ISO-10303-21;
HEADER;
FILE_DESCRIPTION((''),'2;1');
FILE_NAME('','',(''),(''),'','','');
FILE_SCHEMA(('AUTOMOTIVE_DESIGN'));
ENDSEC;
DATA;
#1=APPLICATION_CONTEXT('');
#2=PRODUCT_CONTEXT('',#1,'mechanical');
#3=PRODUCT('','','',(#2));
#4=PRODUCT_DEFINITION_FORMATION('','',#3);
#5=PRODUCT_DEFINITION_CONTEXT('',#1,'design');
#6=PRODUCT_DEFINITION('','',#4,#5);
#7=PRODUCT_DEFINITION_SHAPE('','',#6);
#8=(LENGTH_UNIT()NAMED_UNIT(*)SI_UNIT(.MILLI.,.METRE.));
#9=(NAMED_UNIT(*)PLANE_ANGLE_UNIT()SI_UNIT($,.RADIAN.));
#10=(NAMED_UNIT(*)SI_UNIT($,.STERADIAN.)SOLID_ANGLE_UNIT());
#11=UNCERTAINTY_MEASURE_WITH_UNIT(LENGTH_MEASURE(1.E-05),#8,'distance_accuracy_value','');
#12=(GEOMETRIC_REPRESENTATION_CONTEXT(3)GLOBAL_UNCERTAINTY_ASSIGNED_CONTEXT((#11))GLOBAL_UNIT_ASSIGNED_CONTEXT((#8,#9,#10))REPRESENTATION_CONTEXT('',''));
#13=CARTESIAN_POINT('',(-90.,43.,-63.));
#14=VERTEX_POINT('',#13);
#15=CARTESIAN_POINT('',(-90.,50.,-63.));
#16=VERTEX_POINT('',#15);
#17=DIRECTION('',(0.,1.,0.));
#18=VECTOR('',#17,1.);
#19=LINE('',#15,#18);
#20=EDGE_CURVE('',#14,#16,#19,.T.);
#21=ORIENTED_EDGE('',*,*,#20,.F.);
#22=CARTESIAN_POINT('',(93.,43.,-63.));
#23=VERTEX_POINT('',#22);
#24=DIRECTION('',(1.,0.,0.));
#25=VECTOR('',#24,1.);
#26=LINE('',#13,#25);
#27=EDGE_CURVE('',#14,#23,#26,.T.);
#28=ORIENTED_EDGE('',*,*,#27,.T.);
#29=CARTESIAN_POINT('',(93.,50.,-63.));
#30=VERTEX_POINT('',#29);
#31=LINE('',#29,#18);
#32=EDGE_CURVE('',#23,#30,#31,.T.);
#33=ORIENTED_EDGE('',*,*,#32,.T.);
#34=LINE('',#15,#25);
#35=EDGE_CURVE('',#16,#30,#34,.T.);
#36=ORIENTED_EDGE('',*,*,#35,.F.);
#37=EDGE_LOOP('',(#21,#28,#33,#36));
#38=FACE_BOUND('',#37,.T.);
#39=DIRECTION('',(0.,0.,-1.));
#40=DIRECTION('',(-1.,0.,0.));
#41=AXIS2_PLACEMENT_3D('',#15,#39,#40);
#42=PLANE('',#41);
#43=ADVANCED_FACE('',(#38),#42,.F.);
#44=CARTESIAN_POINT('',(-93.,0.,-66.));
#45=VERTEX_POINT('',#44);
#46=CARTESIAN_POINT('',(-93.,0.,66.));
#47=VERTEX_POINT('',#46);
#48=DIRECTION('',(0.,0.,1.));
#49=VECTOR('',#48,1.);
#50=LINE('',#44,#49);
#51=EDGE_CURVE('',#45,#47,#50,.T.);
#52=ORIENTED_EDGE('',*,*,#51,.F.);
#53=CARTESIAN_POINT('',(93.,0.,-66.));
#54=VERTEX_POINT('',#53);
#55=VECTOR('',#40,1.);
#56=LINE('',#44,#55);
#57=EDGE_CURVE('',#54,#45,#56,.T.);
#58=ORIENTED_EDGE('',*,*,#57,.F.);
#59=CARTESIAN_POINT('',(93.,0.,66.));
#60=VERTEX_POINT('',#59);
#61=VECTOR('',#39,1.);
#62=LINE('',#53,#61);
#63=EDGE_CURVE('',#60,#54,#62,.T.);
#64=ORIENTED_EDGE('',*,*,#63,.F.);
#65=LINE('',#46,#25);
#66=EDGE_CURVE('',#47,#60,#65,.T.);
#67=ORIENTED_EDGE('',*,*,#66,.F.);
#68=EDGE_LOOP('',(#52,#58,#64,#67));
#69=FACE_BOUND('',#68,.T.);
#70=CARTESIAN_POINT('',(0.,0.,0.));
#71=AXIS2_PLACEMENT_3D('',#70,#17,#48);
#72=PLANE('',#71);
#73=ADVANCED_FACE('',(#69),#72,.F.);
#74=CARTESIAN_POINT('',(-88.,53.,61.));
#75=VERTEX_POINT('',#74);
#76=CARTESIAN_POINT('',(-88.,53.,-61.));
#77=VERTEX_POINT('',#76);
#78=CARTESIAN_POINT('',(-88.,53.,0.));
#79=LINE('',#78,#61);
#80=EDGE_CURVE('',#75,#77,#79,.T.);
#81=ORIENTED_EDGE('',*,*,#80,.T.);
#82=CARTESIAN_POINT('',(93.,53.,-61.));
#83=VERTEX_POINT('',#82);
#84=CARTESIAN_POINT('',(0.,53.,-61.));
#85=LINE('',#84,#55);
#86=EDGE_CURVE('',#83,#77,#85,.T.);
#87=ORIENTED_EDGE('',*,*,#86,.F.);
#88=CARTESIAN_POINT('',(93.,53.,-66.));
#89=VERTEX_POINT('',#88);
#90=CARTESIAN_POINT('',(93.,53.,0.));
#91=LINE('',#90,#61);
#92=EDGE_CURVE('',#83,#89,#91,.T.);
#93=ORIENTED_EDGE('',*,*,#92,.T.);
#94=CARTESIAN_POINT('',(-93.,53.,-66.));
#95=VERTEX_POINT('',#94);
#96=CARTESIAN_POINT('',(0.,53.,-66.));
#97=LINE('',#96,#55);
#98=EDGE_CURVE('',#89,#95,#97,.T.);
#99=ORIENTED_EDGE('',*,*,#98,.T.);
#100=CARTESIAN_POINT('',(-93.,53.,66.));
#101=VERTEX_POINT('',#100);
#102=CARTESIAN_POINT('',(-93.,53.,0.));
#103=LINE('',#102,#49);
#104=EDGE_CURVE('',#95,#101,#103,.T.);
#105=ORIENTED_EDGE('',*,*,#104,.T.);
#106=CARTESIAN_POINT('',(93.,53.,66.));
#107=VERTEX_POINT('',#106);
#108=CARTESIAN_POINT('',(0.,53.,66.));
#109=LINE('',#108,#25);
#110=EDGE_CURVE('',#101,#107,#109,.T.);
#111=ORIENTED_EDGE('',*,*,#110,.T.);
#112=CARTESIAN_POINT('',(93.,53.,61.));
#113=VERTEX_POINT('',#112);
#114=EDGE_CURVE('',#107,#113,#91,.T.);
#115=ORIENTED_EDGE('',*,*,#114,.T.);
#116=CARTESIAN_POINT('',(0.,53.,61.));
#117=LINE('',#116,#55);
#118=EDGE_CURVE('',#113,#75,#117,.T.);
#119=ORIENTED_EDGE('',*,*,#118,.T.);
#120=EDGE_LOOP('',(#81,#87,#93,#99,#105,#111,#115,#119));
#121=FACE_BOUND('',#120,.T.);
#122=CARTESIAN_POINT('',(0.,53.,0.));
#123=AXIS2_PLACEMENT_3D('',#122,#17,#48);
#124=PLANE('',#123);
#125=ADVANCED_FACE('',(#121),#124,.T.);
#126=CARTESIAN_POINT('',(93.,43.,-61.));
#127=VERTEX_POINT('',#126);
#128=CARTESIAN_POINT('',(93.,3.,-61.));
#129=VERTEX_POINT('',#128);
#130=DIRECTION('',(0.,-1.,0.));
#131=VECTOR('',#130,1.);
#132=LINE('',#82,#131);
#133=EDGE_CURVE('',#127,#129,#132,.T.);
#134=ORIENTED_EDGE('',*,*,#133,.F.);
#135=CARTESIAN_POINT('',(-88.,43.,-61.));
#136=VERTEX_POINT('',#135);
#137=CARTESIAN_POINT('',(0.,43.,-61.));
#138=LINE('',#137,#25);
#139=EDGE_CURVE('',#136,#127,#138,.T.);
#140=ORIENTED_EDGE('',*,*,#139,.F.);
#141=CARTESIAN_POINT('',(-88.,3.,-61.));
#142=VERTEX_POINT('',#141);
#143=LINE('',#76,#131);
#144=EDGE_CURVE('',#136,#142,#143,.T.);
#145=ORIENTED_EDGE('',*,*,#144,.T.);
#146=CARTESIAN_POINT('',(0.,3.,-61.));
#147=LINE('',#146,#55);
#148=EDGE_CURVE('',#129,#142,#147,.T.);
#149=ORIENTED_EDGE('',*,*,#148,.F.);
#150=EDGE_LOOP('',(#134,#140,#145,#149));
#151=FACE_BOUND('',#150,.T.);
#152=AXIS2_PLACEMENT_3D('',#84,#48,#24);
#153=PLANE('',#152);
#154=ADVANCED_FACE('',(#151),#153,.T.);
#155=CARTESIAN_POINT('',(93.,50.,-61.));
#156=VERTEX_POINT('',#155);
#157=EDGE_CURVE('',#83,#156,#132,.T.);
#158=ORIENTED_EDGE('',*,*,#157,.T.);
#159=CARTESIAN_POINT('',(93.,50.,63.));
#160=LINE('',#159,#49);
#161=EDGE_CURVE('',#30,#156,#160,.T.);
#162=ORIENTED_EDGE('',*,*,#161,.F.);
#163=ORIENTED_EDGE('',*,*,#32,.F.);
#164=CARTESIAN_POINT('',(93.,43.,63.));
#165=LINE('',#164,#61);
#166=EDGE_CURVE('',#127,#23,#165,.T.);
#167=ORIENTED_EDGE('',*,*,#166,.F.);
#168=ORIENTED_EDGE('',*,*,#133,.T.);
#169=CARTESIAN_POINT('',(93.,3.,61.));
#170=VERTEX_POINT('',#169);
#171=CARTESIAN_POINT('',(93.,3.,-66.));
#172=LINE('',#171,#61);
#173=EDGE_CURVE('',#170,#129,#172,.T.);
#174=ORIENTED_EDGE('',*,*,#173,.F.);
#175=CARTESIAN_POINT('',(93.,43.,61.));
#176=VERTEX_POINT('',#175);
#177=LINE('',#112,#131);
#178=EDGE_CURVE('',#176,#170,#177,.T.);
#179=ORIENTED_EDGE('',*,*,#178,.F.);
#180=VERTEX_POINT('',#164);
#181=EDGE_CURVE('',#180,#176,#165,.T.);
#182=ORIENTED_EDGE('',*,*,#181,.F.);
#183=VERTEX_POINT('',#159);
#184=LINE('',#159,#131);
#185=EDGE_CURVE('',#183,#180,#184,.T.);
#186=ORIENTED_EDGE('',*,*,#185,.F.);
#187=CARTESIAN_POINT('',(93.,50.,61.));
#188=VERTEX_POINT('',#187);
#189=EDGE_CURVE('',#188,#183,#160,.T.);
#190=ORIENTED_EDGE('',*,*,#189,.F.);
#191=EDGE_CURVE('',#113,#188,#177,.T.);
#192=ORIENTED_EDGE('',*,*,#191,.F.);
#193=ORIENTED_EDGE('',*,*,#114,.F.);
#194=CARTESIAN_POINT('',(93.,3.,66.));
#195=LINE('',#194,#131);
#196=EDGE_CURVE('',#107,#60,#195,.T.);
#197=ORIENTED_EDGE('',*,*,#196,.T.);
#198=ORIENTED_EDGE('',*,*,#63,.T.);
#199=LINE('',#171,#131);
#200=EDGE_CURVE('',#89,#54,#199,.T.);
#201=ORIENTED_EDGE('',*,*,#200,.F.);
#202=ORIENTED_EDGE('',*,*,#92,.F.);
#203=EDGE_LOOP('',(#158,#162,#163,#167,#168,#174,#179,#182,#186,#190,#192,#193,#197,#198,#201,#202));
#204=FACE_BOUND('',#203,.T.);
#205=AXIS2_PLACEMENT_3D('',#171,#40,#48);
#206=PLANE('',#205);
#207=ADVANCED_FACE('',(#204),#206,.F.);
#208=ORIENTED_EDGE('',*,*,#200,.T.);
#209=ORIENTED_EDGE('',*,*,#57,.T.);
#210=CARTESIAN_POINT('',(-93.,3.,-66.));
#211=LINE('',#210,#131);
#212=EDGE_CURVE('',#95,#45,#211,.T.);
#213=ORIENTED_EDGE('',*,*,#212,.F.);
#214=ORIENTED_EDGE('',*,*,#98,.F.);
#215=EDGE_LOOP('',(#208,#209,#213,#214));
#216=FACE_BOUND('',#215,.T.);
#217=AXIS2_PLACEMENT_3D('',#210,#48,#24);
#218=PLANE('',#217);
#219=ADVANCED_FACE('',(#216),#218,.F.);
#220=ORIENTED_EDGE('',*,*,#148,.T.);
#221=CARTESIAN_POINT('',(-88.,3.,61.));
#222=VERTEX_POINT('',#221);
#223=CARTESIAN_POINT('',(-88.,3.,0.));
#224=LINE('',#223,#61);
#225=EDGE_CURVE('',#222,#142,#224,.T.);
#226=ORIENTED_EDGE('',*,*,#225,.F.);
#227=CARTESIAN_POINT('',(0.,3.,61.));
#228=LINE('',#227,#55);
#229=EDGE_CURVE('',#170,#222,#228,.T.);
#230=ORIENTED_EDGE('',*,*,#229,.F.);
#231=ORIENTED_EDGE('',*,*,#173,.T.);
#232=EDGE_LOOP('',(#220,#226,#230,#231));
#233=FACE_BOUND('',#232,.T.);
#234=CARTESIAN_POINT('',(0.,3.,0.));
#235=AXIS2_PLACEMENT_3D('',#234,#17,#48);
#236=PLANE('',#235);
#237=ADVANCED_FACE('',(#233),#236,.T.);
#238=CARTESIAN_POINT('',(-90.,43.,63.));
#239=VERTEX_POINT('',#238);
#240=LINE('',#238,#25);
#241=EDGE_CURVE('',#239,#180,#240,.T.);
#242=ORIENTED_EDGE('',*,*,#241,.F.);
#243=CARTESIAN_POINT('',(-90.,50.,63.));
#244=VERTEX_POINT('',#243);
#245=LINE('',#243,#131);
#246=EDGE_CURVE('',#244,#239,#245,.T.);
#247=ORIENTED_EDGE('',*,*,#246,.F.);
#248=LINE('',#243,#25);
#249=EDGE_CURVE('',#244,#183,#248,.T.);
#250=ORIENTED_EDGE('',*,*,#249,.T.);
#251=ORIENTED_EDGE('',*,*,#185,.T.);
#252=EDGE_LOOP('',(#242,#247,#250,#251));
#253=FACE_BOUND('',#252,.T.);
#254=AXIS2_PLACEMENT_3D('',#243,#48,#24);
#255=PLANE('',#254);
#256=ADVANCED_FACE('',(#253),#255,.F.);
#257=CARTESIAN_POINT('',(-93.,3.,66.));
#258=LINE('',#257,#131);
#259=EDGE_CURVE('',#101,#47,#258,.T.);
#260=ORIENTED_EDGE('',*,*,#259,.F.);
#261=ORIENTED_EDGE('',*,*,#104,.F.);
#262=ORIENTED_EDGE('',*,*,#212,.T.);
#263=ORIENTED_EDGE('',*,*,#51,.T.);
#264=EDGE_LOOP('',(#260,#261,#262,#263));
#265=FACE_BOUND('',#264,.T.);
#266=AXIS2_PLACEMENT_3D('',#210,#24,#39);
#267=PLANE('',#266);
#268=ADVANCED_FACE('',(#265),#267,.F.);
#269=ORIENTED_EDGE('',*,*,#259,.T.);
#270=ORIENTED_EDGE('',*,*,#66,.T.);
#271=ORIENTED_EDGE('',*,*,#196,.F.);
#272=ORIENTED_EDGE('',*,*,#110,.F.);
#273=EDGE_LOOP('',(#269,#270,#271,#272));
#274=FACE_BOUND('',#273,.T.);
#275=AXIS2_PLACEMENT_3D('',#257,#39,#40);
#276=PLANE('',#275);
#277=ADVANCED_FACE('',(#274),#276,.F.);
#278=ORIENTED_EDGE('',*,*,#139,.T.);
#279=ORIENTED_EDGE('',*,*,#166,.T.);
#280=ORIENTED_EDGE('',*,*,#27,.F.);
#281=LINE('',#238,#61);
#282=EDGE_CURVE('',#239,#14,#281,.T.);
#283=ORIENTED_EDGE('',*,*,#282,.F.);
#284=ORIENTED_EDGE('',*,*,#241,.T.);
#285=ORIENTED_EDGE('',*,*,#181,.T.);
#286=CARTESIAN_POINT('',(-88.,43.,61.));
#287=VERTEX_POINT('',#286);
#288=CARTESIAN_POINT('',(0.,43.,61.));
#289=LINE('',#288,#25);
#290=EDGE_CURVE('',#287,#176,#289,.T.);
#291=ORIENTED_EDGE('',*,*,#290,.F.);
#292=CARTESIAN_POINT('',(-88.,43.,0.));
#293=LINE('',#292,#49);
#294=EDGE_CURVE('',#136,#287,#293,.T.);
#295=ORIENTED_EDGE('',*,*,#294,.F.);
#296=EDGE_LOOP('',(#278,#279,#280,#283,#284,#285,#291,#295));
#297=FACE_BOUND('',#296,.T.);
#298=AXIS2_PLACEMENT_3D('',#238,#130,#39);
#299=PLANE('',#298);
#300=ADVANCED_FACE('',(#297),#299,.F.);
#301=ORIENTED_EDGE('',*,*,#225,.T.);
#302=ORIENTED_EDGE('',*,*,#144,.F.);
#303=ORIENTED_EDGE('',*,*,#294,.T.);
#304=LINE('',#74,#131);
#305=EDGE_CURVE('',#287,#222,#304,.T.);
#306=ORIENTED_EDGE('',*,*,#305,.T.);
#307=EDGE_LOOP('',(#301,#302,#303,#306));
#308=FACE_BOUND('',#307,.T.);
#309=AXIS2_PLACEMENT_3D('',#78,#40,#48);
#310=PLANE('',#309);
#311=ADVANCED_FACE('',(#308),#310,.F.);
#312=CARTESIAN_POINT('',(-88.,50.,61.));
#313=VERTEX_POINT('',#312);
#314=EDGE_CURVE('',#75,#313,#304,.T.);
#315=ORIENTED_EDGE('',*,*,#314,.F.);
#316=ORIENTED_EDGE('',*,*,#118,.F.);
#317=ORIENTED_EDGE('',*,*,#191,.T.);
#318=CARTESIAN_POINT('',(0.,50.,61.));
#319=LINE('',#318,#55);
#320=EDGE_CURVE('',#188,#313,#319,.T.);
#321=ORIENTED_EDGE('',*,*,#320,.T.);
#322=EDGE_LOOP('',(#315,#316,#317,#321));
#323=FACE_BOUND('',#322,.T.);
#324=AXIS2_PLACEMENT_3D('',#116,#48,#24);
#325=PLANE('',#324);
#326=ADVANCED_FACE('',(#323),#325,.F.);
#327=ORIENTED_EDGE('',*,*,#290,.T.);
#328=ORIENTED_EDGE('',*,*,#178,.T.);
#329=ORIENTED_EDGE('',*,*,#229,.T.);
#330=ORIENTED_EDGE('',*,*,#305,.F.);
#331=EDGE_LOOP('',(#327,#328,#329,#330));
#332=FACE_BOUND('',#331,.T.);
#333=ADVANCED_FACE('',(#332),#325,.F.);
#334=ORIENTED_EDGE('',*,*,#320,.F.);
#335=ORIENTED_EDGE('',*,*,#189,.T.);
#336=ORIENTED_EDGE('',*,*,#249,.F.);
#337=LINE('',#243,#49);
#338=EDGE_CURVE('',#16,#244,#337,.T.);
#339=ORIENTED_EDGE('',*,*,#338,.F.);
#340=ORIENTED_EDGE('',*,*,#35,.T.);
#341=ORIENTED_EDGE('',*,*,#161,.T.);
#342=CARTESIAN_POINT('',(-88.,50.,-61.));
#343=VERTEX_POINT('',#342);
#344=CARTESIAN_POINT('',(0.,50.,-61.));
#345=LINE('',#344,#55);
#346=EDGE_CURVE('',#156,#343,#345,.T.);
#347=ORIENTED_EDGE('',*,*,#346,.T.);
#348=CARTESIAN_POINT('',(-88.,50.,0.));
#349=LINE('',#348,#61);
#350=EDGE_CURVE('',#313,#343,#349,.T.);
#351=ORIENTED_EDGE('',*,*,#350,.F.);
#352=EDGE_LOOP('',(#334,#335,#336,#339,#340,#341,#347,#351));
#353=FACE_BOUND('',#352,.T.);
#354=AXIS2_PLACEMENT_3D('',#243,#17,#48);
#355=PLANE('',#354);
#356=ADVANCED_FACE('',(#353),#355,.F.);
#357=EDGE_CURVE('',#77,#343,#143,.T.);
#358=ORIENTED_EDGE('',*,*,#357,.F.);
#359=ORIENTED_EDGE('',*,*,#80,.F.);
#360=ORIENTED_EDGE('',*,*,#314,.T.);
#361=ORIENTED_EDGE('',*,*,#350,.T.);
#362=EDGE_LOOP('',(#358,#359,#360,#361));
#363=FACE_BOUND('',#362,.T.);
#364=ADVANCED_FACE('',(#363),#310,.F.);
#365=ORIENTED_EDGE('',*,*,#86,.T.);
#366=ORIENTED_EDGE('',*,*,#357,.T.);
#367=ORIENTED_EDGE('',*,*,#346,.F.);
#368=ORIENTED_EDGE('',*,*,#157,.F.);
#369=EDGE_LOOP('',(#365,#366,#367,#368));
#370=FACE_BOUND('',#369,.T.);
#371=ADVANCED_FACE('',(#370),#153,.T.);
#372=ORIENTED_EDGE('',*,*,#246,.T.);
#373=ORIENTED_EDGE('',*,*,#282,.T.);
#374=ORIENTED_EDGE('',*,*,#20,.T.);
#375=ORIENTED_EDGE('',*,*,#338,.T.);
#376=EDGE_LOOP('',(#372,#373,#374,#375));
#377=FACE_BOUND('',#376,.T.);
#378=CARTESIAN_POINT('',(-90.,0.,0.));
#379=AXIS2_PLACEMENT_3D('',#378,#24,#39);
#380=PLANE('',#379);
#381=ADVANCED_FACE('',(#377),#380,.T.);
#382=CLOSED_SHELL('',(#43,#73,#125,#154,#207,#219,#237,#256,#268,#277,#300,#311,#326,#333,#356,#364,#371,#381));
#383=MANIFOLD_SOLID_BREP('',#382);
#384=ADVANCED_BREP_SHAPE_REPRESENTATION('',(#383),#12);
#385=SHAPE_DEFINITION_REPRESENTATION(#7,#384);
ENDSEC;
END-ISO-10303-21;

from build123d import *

# Parameters (mm, degrees)
ESQUISSE1_W             = 186
ESQUISSE1_H             = 132
BOSS_EXTRU_1_DEPTH      = 3
ESQUISSE4_W             = 5
ESQUISSE4_H             = 122
BOSS_EXTRU_4_DEPTH      = 50
ESQUISSE5_W             = 126
ESQUISSE5_H             = 7
ENL_V_MAT_EXTRU_1_DEPTH = 183


with BuildPart() as part:
    # Esquisse1 → Boss.-Extru.1 (new body)
    with BuildSketch(Plane(origin=(0, 0, 0), x_dir=(1, 0, 0), z_dir=(0, 1, 0))):
        Rectangle(ESQUISSE1_W, ESQUISSE1_H)
    extrude(amount=BOSS_EXTRU_1_DEPTH)

    # Esquisse4 → Boss.-Extru.4 (add)
    with BuildSketch(Plane(origin=(0, 3, 0), x_dir=(1, 0, 0), z_dir=(0, 1, 0))):
        Polygon((93, 61), (93, 66), (-93, 66), (-93, 61), (-88, 61), align=None)
        with Locations((-90.5, 0)):
            Rectangle(ESQUISSE4_W, ESQUISSE4_H)
        Polygon((93, -66), (93, -61), (-88, -61), (-93, -61), (-93, -66), align=None)
    extrude(amount=BOSS_EXTRU_4_DEPTH)

    # Esquisse5 → Enlèv. mat.-Extru.1 (cut)
    with BuildSketch(Plane(origin=(93, 0, 0), x_dir=(0, 0, -1), z_dir=(1, 0, 0))):
        with Locations((0, 46.5)):
            Rectangle(ESQUISSE5_W, ESQUISSE5_H)
    extrude(amount=-ENL_V_MAT_EXTRU_1_DEPTH, mode=Mode.SUBTRACT)


solid = part.part
